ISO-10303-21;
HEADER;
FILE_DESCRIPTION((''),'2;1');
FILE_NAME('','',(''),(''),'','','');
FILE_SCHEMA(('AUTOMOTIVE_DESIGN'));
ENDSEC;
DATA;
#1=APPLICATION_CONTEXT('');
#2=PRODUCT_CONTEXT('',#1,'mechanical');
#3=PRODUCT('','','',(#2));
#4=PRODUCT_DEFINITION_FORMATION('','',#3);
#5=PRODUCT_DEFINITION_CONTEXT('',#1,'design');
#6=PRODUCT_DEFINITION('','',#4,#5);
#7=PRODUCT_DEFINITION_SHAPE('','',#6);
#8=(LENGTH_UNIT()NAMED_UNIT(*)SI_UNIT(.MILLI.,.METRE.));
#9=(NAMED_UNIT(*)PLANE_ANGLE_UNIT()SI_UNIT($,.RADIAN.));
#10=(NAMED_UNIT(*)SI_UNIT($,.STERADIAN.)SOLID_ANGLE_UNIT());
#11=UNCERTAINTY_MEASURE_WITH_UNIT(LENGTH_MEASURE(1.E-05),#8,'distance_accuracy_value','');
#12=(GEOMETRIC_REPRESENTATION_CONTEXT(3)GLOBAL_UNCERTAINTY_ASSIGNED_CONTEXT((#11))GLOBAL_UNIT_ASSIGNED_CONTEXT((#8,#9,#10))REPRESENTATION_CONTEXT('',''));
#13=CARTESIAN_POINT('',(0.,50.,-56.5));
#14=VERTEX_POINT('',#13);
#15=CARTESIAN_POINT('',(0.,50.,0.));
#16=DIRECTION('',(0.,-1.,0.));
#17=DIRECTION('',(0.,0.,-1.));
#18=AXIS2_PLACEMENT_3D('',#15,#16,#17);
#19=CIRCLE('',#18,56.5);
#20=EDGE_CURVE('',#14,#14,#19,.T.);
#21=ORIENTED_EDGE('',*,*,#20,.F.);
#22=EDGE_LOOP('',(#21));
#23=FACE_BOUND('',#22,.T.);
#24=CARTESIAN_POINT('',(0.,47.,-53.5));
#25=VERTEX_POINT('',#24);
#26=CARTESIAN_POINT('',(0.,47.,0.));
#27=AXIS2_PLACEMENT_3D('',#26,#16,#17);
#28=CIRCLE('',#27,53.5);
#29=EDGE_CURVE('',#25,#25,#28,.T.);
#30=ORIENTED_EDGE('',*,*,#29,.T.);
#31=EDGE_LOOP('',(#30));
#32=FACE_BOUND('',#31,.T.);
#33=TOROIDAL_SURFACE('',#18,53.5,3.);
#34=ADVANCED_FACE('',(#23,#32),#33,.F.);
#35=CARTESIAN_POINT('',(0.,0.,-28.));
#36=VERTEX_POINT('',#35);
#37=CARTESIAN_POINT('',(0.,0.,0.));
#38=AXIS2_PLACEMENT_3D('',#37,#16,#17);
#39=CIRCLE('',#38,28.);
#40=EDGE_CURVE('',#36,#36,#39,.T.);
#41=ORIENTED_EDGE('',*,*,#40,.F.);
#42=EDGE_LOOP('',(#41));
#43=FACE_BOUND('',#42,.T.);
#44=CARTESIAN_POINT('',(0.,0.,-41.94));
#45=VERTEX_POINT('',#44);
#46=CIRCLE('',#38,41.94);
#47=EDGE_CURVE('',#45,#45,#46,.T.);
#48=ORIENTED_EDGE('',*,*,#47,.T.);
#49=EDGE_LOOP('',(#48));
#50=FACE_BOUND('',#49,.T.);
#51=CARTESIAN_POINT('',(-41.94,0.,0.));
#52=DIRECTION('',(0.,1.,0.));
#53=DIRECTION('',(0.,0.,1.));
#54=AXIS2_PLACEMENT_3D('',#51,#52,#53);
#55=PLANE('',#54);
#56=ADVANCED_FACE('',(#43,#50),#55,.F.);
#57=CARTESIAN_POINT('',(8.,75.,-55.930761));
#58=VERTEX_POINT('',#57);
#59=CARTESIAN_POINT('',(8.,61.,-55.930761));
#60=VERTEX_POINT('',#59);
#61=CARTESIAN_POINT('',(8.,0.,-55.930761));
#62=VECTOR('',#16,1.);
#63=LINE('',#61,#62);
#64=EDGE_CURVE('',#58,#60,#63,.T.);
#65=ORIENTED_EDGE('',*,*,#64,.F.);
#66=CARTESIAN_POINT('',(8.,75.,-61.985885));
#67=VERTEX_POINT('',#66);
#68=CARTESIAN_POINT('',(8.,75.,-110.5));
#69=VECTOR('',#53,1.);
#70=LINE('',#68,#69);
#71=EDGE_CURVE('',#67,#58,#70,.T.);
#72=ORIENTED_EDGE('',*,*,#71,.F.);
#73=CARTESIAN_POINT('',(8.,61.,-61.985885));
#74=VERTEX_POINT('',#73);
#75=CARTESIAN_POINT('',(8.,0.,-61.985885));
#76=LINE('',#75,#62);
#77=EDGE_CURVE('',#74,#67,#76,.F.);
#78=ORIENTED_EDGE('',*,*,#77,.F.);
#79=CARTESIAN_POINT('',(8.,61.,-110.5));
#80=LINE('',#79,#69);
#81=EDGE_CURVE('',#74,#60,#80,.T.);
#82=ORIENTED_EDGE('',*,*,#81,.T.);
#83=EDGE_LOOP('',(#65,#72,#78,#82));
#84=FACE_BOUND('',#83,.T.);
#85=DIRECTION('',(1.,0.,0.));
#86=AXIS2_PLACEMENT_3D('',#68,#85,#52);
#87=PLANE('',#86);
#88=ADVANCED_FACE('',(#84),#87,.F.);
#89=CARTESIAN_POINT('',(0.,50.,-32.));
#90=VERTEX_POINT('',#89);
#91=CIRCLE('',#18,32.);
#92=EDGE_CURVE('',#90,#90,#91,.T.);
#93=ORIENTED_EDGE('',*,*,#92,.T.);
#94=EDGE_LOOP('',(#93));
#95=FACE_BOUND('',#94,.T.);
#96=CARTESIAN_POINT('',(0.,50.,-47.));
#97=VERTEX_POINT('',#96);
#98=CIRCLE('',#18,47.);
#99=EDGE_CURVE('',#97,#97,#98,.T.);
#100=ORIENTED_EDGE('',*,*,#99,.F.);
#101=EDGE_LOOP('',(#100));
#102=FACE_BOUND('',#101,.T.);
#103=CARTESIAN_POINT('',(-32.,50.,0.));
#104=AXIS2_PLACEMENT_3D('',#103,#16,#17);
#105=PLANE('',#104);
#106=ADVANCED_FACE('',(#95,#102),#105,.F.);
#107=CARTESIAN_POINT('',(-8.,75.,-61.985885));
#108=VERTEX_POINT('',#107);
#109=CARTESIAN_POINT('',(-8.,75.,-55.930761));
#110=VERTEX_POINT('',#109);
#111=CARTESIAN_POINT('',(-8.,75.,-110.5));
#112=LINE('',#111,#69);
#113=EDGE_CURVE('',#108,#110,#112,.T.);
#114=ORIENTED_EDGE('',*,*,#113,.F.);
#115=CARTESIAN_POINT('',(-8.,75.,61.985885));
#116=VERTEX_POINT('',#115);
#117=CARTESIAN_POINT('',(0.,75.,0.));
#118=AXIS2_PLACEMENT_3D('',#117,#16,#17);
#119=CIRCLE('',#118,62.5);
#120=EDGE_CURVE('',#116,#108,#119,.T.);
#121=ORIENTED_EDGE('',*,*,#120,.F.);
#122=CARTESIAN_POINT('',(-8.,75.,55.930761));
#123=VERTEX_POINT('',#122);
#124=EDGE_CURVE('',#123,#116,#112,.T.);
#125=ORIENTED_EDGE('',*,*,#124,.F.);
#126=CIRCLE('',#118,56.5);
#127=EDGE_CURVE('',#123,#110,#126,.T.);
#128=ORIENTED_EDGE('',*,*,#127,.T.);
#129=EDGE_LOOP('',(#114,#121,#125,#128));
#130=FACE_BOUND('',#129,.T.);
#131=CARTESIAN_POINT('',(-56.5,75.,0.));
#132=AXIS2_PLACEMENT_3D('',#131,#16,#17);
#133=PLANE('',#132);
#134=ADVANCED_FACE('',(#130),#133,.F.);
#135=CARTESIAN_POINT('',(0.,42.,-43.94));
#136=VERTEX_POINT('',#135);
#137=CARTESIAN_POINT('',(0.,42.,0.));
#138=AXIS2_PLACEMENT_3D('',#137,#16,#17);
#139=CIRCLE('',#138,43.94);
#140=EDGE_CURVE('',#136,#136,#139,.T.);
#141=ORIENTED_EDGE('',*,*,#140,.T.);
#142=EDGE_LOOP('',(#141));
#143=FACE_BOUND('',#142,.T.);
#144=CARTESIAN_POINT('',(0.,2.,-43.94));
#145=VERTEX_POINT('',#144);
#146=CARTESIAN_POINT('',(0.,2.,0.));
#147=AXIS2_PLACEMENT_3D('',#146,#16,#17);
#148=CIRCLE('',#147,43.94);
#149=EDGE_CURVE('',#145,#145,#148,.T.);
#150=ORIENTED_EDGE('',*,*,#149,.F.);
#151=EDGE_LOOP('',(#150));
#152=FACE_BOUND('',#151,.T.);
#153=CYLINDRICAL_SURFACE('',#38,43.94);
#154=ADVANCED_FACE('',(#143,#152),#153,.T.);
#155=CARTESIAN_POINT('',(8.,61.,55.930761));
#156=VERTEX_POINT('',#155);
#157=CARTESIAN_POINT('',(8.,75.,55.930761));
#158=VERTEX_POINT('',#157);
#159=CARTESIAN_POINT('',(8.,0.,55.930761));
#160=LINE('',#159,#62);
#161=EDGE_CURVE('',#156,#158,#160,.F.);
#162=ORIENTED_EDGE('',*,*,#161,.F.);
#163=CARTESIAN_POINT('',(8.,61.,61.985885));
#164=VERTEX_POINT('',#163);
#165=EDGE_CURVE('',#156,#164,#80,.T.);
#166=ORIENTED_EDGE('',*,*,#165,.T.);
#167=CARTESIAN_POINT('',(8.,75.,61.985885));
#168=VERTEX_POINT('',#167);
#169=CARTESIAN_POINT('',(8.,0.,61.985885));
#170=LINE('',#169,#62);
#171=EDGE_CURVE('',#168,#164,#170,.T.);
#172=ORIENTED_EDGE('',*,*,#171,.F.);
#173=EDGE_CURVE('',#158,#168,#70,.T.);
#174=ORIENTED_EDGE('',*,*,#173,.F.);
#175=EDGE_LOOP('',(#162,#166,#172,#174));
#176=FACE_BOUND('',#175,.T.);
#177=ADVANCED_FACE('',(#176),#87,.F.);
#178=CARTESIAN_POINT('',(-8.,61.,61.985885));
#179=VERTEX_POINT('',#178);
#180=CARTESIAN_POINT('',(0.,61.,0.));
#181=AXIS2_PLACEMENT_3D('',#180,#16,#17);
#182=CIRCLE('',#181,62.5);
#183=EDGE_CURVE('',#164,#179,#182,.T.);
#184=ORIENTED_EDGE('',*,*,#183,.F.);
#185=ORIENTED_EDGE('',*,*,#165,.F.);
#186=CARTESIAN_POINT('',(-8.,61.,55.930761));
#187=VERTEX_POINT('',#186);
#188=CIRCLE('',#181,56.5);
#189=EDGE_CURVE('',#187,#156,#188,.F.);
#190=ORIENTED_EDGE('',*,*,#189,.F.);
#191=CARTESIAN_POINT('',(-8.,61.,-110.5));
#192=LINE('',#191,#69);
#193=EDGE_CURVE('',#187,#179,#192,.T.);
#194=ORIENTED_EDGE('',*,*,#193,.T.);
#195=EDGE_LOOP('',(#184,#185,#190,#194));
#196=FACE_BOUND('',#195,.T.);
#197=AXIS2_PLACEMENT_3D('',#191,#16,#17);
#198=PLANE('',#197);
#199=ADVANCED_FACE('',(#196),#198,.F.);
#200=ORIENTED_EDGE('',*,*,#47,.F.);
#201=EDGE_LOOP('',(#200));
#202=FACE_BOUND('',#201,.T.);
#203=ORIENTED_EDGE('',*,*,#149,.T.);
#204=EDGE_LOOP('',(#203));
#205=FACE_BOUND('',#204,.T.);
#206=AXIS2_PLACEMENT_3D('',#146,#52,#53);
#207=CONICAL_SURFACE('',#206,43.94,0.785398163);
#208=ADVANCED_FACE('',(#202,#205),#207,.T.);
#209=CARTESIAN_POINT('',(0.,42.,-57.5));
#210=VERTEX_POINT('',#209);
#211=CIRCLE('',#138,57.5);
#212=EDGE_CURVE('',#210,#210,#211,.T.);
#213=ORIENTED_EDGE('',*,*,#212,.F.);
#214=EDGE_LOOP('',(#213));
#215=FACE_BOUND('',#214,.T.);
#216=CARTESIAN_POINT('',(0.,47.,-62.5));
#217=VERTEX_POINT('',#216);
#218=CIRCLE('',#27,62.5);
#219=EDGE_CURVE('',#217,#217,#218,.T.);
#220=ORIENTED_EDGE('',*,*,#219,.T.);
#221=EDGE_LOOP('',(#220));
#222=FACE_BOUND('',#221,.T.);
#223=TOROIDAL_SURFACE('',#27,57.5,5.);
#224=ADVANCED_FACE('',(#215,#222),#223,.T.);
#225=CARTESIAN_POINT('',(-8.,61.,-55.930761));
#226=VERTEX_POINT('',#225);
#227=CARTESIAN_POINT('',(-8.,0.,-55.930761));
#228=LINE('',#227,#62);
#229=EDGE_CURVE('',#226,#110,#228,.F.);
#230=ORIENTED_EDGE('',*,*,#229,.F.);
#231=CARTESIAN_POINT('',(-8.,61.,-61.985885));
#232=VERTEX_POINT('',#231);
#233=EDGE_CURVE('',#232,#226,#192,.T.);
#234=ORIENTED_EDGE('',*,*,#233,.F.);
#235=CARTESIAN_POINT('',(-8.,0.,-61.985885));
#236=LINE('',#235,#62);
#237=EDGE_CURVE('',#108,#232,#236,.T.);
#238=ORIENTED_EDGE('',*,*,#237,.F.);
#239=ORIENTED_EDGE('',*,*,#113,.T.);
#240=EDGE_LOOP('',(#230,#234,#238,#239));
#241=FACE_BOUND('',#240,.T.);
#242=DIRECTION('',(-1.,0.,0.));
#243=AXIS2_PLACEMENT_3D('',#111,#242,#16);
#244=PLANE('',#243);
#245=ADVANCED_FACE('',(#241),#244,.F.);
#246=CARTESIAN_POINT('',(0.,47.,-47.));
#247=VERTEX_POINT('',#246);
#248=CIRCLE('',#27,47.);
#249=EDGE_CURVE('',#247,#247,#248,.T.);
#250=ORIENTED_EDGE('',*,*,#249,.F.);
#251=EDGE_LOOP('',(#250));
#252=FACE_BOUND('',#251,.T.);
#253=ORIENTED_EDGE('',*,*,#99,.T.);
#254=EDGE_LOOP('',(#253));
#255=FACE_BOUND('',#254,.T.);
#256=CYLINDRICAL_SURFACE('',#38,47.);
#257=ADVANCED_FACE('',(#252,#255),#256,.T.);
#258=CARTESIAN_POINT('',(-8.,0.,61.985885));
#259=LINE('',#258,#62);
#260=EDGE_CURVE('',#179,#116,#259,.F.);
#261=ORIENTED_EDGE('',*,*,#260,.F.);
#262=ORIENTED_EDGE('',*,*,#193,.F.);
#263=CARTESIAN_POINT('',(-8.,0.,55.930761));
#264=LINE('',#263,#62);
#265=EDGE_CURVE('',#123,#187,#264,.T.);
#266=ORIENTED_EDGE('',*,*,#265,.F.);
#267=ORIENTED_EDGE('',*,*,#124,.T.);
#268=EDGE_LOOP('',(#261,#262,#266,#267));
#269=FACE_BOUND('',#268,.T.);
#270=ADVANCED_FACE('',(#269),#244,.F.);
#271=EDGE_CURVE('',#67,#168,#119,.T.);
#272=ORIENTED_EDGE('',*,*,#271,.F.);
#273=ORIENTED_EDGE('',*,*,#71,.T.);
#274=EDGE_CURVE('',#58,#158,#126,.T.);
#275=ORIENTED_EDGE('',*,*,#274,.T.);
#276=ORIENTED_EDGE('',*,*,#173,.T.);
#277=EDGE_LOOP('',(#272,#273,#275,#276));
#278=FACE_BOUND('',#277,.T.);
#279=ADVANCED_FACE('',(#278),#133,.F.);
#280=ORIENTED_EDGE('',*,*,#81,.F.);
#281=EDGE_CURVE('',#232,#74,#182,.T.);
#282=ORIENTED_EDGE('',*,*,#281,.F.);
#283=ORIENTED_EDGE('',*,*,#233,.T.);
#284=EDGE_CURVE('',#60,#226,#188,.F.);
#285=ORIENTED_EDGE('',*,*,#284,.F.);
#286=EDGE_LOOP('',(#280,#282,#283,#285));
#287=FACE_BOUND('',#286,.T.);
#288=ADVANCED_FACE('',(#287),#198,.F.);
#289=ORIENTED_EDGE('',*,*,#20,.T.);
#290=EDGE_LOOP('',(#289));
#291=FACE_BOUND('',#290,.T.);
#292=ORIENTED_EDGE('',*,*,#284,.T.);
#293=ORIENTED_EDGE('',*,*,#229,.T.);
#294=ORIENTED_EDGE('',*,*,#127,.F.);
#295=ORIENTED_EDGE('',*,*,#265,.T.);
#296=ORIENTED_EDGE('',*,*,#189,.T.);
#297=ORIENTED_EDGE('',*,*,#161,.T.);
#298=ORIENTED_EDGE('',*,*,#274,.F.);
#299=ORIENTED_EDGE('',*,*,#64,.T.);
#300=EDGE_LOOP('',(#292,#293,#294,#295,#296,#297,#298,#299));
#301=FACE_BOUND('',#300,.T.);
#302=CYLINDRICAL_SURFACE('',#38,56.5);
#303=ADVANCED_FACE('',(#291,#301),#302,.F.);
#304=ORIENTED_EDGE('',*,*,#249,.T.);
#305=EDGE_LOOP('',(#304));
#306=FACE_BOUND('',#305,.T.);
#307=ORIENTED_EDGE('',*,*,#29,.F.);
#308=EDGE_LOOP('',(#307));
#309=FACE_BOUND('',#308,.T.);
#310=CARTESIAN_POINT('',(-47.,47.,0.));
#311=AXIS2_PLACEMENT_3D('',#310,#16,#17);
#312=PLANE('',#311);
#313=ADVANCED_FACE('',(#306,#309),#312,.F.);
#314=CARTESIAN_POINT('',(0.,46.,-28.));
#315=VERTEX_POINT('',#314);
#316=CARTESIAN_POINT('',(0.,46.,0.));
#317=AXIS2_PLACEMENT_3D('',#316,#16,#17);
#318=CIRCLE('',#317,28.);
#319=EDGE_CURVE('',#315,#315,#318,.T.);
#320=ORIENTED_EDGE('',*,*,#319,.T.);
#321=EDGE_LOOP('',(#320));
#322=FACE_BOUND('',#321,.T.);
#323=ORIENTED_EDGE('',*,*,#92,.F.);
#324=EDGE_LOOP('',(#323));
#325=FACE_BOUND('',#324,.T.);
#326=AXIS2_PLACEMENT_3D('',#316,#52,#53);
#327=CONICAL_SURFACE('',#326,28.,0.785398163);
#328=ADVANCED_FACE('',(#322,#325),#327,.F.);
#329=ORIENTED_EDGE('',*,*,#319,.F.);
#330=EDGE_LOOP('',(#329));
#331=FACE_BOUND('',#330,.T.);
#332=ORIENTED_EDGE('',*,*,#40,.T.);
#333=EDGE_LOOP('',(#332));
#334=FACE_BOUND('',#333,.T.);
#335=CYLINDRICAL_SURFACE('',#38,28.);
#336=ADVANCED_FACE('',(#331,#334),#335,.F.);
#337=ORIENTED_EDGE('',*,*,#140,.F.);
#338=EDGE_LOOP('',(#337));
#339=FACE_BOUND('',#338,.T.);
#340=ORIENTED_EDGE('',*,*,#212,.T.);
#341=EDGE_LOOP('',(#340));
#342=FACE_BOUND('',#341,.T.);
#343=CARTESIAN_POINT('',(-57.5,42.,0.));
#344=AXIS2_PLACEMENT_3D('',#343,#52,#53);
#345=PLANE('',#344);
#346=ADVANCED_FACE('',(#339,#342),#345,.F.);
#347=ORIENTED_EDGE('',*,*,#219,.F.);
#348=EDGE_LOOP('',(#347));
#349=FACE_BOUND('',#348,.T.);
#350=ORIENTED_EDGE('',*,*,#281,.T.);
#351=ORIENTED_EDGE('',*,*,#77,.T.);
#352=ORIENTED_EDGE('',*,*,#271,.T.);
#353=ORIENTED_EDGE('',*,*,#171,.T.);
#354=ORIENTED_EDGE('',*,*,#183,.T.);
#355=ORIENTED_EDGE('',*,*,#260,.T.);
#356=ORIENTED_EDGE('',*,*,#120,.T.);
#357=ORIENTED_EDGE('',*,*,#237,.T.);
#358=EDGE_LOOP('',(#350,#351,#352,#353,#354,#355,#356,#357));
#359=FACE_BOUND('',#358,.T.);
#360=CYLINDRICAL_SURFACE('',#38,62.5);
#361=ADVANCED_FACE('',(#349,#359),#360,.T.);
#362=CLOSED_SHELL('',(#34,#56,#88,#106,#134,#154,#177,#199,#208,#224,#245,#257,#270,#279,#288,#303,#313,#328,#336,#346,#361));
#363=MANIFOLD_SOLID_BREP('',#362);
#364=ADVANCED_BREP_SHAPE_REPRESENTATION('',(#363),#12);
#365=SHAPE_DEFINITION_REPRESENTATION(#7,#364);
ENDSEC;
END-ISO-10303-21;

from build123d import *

# Parameters (mm, degrees)
SKETCH2_W          = 16
SKETCH2_H          = 14
CUT_EXTRUDE1_DEPTH = 110.5


with BuildPart() as part:
    # Sketch1 → Revolve1 (revolve)
    with BuildSketch(Plane.XY):
        with BuildLine():
            Line((-28, 0), (-28, 46))
            Line((-28, 46), (-32, 50))
            Line((-32, 50), (-47, 50))
            Line((-47, 50), (-47, 47))
            Line((-47, 47), (-53.5, 47))
            ThreePointArc((-53.5, 47), (-55.621320344, 47.878679656), (-56.5, 50))
            Line((-56.5, 50), (-56.5, 75))
            Line((-56.5, 75), (-62.5, 75))
            Line((-62.5, 75), (-62.5, 47))
            ThreePointArc((-62.5, 47), (-61.035533906, 43.464466094), (-57.5, 42))
            Line((-57.5, 42), (-43.94, 42))
            Line((-43.94, 42), (-43.94, 2))
            Line((-43.94, 2), (-41.94, 0))
            Line((-41.94, 0), (-28, 0))
        make_face()
    revolve(axis=Axis((0, 0, 0), (0, 1, 0)))

    # Sketch2 → Cut-Extrude1 (cut, symmetric)
    with BuildSketch(Plane.XY):
        with Locations((0, 68)):
            Rectangle(SKETCH2_W, SKETCH2_H)
    extrude(amount=CUT_EXTRUDE1_DEPTH, both=True, mode=Mode.SUBTRACT)


solid = part.part
